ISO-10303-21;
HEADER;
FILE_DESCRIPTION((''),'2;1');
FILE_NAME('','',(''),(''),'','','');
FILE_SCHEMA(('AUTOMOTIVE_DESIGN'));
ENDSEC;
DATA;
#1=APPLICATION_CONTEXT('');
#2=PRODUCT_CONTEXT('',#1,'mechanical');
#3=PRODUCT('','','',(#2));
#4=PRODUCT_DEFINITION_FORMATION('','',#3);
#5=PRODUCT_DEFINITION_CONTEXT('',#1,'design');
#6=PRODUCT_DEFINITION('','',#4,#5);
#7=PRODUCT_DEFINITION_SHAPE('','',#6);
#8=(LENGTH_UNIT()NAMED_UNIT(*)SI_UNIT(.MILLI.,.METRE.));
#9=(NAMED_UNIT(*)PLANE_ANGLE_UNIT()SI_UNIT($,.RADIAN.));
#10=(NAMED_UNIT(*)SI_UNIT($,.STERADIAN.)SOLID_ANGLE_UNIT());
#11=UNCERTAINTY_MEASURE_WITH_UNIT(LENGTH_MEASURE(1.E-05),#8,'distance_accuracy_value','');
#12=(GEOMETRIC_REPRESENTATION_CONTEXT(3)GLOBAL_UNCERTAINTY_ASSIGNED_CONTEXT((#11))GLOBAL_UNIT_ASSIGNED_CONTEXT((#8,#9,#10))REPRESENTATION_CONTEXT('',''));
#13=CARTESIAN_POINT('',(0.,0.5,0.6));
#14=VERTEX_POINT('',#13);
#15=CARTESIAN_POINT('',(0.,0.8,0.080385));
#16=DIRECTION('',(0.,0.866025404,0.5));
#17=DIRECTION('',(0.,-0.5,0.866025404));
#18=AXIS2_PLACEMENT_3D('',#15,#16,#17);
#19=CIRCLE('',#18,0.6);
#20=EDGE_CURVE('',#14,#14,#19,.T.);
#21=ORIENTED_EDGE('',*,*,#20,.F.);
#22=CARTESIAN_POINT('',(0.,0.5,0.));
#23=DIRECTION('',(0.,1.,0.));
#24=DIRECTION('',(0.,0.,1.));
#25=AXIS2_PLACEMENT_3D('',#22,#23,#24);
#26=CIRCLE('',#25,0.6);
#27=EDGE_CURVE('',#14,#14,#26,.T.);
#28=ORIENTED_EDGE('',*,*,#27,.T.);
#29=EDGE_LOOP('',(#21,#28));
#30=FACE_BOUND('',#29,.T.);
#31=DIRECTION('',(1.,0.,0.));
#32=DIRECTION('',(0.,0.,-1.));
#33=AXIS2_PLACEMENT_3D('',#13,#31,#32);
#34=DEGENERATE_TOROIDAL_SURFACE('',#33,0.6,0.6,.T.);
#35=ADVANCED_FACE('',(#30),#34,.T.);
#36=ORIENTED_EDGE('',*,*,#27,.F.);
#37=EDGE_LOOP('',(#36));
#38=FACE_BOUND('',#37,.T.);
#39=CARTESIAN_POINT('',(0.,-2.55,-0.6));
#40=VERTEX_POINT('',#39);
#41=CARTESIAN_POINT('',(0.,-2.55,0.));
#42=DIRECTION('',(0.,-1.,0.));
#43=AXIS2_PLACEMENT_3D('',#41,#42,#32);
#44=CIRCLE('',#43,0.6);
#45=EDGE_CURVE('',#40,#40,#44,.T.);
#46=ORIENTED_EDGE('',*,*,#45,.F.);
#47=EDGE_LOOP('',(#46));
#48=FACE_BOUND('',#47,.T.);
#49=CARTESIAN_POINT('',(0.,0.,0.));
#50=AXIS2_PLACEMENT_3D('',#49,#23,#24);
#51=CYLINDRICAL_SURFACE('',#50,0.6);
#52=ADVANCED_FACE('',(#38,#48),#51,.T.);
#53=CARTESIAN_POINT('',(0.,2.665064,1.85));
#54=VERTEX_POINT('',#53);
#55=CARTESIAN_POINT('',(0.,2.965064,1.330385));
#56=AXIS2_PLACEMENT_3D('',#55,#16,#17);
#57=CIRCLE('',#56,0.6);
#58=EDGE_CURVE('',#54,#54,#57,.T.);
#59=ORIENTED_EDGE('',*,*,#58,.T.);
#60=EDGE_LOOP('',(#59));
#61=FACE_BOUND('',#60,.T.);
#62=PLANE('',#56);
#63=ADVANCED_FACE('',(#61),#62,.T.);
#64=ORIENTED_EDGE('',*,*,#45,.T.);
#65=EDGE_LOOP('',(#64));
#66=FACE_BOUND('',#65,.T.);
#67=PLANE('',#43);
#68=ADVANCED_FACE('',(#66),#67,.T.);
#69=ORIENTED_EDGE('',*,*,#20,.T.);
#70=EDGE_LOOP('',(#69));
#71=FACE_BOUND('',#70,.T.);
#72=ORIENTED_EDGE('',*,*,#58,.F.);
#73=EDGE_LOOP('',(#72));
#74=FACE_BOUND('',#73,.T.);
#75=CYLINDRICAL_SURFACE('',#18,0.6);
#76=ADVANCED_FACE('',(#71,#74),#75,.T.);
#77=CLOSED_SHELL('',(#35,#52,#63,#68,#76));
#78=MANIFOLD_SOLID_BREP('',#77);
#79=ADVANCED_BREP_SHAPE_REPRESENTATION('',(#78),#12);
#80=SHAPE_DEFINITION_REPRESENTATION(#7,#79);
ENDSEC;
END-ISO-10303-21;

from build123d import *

# Parameters (mm, degrees)
SKETCH23_R          = 0.6
SKETCH25_R          = 0.6
BOSS_EXTRUDE2_DEPTH = 2.55


with BuildPart() as part:
    # Sweep4: sweep along a path in Sketch24
    with BuildLine(Plane(origin=(0, 0, 0), x_dir=(0, 0, -1), z_dir=(1, 0, 0))) as sweep4_path:
        Line((0, 0), (0, 0.5))
        ThreePointArc((0, 0.5), (-0.020444504, 0.655291427), (-0.080384758, 0.8))
        Line((-0.080384758, 0.8), (-1.330384758, 2.965063509))
    # Sketch23 → Sweep4 (sweep)
    with BuildSketch(Plane(origin=(0, 0, 0), x_dir=(1, 0, 0), z_dir=(0, 1, 0))):
        Circle(SKETCH23_R)
    sweep(path=sweep4_path.line)

    # Sketch25 → Boss-Extrude2 (add)
    with BuildSketch(Plane(origin=(0, 0, 0), x_dir=(-1, 0, 0), z_dir=(0, -1, 0))):
        Circle(SKETCH25_R)
    extrude(amount=BOSS_EXTRUDE2_DEPTH)


solid = part.part
